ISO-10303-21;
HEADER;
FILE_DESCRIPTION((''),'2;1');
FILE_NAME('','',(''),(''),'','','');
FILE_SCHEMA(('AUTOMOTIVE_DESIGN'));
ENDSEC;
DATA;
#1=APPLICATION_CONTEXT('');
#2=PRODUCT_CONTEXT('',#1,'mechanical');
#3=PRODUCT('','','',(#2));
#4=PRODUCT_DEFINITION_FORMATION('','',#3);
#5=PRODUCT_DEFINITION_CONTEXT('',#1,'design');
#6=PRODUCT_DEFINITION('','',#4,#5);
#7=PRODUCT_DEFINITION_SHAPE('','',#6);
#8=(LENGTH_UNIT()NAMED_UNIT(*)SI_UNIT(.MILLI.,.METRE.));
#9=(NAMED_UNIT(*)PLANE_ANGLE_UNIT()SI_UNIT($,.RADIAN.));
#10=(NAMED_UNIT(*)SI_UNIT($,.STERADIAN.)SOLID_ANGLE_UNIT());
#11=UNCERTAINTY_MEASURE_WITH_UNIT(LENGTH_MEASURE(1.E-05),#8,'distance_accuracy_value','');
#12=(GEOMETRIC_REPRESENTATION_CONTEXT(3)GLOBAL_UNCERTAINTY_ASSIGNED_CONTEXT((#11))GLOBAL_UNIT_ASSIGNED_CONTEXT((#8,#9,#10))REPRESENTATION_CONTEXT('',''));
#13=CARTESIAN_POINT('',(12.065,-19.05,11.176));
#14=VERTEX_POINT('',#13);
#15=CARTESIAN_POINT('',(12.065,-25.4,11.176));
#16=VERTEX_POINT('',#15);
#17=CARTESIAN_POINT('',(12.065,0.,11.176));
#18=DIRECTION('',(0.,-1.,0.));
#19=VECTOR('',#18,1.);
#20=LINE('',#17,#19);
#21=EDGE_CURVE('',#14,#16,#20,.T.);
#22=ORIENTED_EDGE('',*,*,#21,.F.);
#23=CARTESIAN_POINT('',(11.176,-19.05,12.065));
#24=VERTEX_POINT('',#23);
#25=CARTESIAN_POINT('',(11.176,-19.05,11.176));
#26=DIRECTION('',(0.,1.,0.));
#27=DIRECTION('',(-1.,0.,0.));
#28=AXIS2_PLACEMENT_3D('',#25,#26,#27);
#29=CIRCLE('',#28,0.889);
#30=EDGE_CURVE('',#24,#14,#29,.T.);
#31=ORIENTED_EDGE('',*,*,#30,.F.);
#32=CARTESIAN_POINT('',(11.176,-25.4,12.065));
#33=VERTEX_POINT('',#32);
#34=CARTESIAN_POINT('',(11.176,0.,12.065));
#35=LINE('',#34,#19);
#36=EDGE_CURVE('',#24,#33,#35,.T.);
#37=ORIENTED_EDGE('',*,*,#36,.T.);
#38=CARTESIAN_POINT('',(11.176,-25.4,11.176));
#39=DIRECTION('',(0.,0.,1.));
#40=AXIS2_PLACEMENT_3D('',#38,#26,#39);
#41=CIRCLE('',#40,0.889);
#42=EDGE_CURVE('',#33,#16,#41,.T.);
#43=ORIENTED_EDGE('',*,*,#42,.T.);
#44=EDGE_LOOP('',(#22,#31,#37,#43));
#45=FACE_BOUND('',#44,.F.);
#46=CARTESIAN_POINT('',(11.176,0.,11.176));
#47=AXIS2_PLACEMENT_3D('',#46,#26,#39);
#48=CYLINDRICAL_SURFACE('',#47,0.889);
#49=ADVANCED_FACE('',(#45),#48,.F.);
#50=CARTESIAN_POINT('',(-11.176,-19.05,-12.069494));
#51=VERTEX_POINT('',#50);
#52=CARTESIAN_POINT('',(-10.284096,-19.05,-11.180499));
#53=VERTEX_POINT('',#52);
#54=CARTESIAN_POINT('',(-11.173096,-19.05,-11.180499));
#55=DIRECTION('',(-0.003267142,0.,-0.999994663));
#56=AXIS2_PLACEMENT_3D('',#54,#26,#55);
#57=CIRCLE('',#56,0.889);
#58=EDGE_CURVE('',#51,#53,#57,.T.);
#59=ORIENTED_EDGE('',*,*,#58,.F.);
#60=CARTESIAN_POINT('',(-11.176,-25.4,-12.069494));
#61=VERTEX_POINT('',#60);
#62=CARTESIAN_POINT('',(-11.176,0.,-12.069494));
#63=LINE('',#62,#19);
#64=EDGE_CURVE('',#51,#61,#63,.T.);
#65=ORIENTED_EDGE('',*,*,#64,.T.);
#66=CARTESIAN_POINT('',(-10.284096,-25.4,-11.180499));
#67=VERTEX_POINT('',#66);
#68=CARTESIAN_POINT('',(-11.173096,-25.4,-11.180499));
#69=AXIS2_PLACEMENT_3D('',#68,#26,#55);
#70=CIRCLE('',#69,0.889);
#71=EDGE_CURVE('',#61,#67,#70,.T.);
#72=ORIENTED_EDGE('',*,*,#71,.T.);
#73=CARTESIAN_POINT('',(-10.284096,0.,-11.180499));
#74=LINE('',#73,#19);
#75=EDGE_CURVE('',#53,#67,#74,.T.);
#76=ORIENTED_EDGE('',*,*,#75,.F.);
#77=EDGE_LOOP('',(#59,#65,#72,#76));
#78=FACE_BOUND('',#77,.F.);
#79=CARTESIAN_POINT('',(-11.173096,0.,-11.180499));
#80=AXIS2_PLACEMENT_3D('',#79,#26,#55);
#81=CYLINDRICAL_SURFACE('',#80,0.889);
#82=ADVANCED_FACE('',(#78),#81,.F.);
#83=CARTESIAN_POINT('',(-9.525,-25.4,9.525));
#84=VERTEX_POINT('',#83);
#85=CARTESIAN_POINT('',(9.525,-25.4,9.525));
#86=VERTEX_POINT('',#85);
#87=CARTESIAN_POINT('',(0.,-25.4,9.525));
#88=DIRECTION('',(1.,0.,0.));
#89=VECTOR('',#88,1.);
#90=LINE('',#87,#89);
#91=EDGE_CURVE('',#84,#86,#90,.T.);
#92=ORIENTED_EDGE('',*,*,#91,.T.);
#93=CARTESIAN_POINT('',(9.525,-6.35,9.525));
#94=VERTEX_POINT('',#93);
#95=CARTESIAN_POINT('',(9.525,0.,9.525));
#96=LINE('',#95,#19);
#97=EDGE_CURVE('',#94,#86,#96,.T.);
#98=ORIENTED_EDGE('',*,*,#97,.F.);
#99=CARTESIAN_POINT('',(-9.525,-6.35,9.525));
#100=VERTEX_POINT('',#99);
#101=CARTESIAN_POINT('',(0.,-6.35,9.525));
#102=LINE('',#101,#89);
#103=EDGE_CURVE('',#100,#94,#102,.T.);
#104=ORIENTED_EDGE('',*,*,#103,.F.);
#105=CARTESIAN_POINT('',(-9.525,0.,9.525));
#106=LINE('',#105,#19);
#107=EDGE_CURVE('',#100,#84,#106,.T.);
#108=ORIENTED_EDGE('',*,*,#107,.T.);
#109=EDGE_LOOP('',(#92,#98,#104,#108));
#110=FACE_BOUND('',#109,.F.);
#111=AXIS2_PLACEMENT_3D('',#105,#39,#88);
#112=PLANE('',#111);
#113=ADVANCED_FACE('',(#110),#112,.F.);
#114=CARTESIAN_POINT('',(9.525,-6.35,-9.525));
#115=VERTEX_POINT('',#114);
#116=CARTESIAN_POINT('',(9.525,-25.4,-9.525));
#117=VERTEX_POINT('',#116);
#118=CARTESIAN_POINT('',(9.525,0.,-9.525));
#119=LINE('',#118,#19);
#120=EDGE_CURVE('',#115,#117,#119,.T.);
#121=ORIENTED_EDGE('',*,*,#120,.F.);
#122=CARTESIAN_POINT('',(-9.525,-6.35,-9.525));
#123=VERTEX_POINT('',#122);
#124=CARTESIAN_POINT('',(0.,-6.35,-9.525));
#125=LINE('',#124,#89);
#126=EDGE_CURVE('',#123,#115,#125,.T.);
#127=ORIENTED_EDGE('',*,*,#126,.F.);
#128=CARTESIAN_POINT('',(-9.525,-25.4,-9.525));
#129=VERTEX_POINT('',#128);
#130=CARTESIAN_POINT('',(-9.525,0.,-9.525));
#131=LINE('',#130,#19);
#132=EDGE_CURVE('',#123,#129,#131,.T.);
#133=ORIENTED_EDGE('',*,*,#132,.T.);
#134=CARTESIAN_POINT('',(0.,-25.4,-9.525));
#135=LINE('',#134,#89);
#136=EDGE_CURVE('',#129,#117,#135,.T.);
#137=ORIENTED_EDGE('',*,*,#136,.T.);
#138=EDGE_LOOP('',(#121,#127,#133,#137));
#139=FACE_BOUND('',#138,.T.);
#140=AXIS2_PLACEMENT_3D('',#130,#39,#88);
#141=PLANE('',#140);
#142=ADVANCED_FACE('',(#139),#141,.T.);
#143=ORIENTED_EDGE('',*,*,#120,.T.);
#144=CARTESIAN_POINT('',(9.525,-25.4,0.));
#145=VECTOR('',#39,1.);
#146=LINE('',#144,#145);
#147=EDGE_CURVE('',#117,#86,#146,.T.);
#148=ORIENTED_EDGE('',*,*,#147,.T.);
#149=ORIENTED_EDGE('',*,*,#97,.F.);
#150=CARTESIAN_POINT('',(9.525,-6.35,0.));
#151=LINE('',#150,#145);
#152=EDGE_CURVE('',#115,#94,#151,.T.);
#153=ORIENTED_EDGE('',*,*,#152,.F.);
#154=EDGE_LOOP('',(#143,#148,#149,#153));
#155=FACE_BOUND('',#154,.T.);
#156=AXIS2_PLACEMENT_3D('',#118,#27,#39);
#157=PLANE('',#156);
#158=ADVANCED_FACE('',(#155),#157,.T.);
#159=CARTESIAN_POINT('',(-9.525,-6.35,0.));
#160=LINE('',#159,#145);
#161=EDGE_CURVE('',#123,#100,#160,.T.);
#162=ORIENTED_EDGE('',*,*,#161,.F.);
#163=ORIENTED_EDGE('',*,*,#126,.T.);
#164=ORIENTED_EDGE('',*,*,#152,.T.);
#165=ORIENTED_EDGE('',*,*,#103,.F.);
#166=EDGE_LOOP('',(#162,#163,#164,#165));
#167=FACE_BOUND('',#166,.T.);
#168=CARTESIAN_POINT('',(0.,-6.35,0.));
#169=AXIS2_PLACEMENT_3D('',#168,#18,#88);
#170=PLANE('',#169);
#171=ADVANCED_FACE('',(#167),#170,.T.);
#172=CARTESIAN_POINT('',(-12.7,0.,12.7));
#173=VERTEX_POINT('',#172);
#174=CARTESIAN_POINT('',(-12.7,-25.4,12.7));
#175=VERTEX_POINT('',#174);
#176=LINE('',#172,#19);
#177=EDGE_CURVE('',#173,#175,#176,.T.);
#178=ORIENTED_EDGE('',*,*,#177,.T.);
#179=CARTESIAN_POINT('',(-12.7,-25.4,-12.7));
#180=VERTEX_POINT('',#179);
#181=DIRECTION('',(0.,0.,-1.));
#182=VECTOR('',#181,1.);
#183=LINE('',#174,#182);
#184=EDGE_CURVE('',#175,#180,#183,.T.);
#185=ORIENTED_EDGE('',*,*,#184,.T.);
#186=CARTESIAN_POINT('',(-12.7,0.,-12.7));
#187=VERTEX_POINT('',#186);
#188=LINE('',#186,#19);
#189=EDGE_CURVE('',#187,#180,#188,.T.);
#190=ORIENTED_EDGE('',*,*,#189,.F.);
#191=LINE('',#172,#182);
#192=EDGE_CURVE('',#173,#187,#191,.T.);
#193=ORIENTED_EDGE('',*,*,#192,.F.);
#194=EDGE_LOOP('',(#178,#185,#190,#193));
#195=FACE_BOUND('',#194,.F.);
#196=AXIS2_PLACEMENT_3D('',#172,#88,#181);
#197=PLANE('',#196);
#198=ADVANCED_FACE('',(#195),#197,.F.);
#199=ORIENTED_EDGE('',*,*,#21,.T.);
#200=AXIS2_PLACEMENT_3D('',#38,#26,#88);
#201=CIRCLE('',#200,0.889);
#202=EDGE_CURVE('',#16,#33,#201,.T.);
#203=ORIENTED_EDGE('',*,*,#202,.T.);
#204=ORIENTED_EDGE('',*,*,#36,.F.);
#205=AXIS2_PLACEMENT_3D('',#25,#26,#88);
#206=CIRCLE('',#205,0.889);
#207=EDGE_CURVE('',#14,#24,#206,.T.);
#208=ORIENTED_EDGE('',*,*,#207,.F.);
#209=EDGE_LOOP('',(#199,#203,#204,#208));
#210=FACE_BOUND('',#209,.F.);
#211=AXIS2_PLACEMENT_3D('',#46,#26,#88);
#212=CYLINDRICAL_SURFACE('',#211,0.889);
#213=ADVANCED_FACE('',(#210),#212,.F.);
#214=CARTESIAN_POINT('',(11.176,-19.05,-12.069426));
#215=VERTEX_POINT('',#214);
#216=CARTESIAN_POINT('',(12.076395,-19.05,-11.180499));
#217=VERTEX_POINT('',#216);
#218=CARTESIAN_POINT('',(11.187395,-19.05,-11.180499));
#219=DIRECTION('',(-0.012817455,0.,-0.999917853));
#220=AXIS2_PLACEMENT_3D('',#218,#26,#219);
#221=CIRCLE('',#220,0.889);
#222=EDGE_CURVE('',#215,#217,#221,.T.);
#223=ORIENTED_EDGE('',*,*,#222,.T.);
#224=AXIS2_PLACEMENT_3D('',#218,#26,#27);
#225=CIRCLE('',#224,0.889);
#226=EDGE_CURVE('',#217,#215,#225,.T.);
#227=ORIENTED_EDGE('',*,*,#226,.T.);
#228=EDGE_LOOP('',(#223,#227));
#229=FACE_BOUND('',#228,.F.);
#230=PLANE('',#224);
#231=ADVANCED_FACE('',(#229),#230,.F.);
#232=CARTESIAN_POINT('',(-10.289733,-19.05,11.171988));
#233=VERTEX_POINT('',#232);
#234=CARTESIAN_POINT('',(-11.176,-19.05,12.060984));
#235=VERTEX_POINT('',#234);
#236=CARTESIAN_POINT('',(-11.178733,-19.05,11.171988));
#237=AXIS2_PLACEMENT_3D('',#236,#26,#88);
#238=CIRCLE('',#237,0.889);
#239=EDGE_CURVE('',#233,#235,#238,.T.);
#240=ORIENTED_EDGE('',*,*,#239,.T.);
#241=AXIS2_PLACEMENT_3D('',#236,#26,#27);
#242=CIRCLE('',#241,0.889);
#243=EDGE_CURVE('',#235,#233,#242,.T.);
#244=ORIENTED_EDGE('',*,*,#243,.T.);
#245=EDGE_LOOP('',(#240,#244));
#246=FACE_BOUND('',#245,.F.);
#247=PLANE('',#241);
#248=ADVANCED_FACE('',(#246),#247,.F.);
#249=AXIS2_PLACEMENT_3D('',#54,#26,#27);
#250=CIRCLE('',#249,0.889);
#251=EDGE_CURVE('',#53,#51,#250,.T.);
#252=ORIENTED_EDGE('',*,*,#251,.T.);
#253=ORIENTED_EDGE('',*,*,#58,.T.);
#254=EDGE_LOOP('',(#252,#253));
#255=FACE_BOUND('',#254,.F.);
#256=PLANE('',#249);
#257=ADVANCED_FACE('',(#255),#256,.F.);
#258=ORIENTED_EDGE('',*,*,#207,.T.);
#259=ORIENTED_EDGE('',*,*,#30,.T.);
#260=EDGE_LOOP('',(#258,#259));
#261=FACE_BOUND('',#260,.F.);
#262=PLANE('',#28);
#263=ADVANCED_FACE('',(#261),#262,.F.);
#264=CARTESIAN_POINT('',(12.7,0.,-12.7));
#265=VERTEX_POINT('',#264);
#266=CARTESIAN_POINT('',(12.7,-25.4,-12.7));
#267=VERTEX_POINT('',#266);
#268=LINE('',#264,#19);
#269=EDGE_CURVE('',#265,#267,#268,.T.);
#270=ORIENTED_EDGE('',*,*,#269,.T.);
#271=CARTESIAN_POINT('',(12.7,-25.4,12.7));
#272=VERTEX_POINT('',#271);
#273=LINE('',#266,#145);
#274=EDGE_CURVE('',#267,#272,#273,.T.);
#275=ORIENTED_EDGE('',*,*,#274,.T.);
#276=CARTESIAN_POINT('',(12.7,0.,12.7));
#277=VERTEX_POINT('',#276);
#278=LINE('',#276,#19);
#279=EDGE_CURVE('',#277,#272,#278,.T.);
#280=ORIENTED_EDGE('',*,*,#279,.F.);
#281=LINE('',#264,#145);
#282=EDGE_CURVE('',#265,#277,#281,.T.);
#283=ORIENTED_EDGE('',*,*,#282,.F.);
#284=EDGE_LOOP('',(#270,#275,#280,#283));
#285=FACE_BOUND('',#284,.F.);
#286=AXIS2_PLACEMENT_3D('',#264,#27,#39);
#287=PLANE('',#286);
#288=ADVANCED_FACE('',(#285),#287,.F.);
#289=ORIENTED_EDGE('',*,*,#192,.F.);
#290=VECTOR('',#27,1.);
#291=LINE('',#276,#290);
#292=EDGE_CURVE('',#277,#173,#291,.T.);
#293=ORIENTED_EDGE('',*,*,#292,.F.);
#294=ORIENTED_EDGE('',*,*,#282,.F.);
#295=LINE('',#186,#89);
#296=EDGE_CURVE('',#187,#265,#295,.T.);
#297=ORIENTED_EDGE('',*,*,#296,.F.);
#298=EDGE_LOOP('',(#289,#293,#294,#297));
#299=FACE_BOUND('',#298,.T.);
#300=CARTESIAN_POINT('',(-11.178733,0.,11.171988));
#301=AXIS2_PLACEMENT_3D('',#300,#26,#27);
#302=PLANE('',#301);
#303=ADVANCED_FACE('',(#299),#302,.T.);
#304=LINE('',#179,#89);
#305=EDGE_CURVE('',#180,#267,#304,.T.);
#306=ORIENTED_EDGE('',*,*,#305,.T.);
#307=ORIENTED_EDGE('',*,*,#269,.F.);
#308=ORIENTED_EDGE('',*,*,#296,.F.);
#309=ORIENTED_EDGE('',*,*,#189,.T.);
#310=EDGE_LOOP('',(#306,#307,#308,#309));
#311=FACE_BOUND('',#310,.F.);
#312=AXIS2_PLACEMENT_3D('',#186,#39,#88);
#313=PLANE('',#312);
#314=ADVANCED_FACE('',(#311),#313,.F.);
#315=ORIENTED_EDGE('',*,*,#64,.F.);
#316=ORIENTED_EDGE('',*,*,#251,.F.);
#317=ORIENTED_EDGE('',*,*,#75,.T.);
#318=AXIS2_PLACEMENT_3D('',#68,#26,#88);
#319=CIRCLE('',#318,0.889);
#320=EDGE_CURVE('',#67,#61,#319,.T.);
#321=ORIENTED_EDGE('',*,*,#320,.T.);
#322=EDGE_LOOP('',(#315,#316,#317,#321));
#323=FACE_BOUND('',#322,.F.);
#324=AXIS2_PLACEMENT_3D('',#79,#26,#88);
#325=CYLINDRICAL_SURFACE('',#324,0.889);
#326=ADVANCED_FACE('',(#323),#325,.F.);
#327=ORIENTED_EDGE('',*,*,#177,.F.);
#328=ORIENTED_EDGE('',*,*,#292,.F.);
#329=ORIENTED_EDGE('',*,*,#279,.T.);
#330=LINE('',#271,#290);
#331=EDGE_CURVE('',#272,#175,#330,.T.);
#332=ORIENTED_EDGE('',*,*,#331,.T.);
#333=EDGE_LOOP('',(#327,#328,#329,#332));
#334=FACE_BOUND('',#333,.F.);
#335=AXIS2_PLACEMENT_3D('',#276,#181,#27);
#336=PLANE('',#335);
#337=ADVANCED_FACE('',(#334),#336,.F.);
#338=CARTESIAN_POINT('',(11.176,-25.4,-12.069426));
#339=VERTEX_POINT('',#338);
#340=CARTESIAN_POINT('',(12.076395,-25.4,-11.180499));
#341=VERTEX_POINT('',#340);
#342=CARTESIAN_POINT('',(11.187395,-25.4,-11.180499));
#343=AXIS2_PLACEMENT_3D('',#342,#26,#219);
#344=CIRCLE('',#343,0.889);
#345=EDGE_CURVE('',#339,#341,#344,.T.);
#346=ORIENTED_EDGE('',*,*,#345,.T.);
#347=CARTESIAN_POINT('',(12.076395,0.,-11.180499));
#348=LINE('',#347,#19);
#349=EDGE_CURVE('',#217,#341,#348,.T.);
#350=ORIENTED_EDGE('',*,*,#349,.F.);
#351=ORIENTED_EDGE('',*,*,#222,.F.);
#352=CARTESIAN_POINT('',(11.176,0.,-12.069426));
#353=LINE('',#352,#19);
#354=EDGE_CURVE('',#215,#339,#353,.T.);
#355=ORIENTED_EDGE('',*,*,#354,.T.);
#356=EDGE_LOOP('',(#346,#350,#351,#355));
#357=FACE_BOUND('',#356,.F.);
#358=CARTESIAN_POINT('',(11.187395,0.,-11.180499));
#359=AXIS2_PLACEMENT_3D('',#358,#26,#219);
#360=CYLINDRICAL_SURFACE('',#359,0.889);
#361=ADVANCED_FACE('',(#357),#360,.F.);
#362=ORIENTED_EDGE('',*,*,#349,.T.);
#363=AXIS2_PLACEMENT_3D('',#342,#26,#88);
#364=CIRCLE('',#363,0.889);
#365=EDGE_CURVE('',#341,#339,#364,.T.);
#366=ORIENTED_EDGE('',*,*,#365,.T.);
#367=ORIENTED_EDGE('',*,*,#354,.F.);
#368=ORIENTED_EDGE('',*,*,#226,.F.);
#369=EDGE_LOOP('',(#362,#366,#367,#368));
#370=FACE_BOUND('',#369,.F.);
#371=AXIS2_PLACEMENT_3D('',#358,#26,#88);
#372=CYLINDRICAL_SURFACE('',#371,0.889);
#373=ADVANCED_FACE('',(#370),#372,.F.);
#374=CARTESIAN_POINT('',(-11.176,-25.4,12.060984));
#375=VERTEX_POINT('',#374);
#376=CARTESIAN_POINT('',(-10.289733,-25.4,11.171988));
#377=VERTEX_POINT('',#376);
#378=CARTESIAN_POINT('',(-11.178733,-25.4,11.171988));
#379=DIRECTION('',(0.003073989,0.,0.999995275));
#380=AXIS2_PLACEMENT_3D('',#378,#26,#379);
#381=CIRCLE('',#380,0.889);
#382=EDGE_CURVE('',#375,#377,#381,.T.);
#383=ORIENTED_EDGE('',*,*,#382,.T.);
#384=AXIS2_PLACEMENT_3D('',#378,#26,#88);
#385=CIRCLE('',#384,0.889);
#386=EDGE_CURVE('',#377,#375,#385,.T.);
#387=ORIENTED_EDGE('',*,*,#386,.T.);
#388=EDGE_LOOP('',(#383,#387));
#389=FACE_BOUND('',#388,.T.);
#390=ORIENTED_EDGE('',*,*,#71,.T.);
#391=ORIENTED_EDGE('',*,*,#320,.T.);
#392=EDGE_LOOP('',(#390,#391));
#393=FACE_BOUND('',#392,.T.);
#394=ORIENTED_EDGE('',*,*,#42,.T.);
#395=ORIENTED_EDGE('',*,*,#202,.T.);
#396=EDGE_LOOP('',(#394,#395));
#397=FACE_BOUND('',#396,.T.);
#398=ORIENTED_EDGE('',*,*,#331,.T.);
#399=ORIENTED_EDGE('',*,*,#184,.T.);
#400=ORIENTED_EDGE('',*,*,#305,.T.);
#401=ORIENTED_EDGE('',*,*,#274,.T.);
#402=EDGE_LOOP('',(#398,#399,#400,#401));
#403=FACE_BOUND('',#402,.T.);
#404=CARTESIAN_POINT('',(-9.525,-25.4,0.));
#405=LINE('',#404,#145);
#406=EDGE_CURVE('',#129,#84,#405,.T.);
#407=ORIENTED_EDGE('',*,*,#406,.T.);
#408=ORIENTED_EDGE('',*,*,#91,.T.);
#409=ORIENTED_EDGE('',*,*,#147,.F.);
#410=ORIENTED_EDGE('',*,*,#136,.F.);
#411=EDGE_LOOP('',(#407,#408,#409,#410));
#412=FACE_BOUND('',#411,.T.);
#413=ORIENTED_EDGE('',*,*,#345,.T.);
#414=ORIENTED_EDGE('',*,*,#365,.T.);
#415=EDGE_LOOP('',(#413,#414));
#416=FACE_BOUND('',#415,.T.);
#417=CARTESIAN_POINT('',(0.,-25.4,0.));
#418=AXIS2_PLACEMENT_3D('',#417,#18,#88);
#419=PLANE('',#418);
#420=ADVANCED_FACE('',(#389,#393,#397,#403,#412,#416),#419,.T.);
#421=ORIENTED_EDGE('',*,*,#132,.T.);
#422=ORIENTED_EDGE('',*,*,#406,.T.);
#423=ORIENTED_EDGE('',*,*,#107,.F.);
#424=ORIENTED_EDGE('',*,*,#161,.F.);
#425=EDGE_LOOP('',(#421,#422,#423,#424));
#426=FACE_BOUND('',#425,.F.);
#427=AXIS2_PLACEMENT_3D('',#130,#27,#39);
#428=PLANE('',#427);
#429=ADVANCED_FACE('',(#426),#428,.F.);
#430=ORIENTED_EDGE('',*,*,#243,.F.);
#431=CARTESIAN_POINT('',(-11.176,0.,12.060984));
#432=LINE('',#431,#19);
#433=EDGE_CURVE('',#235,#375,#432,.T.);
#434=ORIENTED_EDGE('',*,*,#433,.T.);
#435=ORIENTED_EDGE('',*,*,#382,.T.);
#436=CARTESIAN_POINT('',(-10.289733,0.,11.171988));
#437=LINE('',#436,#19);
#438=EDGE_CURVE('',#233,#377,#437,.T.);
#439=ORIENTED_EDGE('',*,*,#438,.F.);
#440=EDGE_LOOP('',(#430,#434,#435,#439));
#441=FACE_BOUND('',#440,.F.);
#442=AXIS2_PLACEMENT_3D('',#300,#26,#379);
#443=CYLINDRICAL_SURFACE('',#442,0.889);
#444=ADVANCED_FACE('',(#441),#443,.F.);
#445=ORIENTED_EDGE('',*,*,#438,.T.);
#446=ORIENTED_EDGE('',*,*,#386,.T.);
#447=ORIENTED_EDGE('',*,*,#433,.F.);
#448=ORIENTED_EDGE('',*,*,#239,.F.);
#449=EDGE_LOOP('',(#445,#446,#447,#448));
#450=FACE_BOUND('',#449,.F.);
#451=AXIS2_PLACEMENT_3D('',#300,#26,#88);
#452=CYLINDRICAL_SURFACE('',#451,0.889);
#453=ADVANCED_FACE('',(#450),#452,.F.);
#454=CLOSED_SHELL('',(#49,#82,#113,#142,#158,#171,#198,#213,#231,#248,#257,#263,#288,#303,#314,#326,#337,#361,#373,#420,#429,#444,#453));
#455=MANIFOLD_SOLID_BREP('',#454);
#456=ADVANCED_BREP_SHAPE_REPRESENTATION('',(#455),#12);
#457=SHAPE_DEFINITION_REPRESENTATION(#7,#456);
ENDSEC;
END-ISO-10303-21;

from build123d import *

# Parameters (mm, degrees)
F0_W     = 19.05
F0_H     = 19.05
F1_DEPTH = 25.4
F2_W     = 19.05
F2_H     = 19.05
F3_DEPTH = 6.35
F4_R     = 0.889
F5_DEPTH = 19.05


with BuildPart() as f1:
    # F0 (on Front) → F1 (new body)
    with BuildSketch(Plane.XZ):
        Polygon((12.7, -12.7), (12.7, 12.7), (11.176, 12.7), (-11.176, 12.7), (-12.7, 12.7), (-12.7, -12.7), (-11.176, -12.7), (11.176, -12.7), align=None)
        with BuildLine():
            ThreePointArc((-10.284095511, -11.1804986587), (-10.5455053146, -11.8101426417), (-11.176, -12.069493914))
            ThreePointArc((-11.176, -12.069493914), (-11.8006857075, -10.5508546757), (-10.284095511, -11.1804986587))
        make_face(mode=Mode.SUBTRACT)
        Rectangle(F0_W, F0_H, mode=Mode.SUBTRACT)
        with BuildLine():
            ThreePointArc((12.0763947175, -11.1804986587), (11.8119710123, -11.813132401), (11.176, -12.0694256301))
            ThreePointArc((11.176, -12.0694256301), (10.5628184227, -10.5478649164), (12.0763947175, -11.1804986587))
        make_face(mode=Mode.SUBTRACT)
        with BuildLine():
            ThreePointArc((-10.2897327763, 11.1719880705), (-11.8083161457, 10.5443370679), (-11.176, 12.0609838702))
            ThreePointArc((-11.176, 12.0609838702), (-10.5491494068, 11.799639073), (-10.2897327763, 11.1719880705))
        make_face(mode=Mode.SUBTRACT)
        with BuildLine():
            ThreePointArc((12.065, 11.176), (10.5473820715, 10.5473820715), (11.176, 12.065))
            ThreePointArc((11.176, 12.065), (11.8046179285, 11.8046179285), (12.065, 11.176))
        make_face(mode=Mode.SUBTRACT)
    extrude(amount=F1_DEPTH)

    # F2 (on Front) → F3 (join)
    with BuildSketch(Plane.XZ):
        Rectangle(F2_W, F2_H)
    extrude(amount=F3_DEPTH)

    # F4 (on face) → F5 (join)
    with BuildSketch(Plane(origin=(0, 0, 0), x_dir=(-1, 0, 0), z_dir=(0, 1, 0))):
        with Locations((11.1787327763, 11.1719880705)):
            Circle(F4_R)
        with Locations((-11.1873947175, -11.1804986587)):
            Circle(F4_R)
        with Locations((11.173095511, -11.1804986587)):
            Circle(F4_R)
        with Locations((-11.176, 11.176)):
            Circle(F4_R)
    extrude(amount=-F5_DEPTH)


solid = f1.part
